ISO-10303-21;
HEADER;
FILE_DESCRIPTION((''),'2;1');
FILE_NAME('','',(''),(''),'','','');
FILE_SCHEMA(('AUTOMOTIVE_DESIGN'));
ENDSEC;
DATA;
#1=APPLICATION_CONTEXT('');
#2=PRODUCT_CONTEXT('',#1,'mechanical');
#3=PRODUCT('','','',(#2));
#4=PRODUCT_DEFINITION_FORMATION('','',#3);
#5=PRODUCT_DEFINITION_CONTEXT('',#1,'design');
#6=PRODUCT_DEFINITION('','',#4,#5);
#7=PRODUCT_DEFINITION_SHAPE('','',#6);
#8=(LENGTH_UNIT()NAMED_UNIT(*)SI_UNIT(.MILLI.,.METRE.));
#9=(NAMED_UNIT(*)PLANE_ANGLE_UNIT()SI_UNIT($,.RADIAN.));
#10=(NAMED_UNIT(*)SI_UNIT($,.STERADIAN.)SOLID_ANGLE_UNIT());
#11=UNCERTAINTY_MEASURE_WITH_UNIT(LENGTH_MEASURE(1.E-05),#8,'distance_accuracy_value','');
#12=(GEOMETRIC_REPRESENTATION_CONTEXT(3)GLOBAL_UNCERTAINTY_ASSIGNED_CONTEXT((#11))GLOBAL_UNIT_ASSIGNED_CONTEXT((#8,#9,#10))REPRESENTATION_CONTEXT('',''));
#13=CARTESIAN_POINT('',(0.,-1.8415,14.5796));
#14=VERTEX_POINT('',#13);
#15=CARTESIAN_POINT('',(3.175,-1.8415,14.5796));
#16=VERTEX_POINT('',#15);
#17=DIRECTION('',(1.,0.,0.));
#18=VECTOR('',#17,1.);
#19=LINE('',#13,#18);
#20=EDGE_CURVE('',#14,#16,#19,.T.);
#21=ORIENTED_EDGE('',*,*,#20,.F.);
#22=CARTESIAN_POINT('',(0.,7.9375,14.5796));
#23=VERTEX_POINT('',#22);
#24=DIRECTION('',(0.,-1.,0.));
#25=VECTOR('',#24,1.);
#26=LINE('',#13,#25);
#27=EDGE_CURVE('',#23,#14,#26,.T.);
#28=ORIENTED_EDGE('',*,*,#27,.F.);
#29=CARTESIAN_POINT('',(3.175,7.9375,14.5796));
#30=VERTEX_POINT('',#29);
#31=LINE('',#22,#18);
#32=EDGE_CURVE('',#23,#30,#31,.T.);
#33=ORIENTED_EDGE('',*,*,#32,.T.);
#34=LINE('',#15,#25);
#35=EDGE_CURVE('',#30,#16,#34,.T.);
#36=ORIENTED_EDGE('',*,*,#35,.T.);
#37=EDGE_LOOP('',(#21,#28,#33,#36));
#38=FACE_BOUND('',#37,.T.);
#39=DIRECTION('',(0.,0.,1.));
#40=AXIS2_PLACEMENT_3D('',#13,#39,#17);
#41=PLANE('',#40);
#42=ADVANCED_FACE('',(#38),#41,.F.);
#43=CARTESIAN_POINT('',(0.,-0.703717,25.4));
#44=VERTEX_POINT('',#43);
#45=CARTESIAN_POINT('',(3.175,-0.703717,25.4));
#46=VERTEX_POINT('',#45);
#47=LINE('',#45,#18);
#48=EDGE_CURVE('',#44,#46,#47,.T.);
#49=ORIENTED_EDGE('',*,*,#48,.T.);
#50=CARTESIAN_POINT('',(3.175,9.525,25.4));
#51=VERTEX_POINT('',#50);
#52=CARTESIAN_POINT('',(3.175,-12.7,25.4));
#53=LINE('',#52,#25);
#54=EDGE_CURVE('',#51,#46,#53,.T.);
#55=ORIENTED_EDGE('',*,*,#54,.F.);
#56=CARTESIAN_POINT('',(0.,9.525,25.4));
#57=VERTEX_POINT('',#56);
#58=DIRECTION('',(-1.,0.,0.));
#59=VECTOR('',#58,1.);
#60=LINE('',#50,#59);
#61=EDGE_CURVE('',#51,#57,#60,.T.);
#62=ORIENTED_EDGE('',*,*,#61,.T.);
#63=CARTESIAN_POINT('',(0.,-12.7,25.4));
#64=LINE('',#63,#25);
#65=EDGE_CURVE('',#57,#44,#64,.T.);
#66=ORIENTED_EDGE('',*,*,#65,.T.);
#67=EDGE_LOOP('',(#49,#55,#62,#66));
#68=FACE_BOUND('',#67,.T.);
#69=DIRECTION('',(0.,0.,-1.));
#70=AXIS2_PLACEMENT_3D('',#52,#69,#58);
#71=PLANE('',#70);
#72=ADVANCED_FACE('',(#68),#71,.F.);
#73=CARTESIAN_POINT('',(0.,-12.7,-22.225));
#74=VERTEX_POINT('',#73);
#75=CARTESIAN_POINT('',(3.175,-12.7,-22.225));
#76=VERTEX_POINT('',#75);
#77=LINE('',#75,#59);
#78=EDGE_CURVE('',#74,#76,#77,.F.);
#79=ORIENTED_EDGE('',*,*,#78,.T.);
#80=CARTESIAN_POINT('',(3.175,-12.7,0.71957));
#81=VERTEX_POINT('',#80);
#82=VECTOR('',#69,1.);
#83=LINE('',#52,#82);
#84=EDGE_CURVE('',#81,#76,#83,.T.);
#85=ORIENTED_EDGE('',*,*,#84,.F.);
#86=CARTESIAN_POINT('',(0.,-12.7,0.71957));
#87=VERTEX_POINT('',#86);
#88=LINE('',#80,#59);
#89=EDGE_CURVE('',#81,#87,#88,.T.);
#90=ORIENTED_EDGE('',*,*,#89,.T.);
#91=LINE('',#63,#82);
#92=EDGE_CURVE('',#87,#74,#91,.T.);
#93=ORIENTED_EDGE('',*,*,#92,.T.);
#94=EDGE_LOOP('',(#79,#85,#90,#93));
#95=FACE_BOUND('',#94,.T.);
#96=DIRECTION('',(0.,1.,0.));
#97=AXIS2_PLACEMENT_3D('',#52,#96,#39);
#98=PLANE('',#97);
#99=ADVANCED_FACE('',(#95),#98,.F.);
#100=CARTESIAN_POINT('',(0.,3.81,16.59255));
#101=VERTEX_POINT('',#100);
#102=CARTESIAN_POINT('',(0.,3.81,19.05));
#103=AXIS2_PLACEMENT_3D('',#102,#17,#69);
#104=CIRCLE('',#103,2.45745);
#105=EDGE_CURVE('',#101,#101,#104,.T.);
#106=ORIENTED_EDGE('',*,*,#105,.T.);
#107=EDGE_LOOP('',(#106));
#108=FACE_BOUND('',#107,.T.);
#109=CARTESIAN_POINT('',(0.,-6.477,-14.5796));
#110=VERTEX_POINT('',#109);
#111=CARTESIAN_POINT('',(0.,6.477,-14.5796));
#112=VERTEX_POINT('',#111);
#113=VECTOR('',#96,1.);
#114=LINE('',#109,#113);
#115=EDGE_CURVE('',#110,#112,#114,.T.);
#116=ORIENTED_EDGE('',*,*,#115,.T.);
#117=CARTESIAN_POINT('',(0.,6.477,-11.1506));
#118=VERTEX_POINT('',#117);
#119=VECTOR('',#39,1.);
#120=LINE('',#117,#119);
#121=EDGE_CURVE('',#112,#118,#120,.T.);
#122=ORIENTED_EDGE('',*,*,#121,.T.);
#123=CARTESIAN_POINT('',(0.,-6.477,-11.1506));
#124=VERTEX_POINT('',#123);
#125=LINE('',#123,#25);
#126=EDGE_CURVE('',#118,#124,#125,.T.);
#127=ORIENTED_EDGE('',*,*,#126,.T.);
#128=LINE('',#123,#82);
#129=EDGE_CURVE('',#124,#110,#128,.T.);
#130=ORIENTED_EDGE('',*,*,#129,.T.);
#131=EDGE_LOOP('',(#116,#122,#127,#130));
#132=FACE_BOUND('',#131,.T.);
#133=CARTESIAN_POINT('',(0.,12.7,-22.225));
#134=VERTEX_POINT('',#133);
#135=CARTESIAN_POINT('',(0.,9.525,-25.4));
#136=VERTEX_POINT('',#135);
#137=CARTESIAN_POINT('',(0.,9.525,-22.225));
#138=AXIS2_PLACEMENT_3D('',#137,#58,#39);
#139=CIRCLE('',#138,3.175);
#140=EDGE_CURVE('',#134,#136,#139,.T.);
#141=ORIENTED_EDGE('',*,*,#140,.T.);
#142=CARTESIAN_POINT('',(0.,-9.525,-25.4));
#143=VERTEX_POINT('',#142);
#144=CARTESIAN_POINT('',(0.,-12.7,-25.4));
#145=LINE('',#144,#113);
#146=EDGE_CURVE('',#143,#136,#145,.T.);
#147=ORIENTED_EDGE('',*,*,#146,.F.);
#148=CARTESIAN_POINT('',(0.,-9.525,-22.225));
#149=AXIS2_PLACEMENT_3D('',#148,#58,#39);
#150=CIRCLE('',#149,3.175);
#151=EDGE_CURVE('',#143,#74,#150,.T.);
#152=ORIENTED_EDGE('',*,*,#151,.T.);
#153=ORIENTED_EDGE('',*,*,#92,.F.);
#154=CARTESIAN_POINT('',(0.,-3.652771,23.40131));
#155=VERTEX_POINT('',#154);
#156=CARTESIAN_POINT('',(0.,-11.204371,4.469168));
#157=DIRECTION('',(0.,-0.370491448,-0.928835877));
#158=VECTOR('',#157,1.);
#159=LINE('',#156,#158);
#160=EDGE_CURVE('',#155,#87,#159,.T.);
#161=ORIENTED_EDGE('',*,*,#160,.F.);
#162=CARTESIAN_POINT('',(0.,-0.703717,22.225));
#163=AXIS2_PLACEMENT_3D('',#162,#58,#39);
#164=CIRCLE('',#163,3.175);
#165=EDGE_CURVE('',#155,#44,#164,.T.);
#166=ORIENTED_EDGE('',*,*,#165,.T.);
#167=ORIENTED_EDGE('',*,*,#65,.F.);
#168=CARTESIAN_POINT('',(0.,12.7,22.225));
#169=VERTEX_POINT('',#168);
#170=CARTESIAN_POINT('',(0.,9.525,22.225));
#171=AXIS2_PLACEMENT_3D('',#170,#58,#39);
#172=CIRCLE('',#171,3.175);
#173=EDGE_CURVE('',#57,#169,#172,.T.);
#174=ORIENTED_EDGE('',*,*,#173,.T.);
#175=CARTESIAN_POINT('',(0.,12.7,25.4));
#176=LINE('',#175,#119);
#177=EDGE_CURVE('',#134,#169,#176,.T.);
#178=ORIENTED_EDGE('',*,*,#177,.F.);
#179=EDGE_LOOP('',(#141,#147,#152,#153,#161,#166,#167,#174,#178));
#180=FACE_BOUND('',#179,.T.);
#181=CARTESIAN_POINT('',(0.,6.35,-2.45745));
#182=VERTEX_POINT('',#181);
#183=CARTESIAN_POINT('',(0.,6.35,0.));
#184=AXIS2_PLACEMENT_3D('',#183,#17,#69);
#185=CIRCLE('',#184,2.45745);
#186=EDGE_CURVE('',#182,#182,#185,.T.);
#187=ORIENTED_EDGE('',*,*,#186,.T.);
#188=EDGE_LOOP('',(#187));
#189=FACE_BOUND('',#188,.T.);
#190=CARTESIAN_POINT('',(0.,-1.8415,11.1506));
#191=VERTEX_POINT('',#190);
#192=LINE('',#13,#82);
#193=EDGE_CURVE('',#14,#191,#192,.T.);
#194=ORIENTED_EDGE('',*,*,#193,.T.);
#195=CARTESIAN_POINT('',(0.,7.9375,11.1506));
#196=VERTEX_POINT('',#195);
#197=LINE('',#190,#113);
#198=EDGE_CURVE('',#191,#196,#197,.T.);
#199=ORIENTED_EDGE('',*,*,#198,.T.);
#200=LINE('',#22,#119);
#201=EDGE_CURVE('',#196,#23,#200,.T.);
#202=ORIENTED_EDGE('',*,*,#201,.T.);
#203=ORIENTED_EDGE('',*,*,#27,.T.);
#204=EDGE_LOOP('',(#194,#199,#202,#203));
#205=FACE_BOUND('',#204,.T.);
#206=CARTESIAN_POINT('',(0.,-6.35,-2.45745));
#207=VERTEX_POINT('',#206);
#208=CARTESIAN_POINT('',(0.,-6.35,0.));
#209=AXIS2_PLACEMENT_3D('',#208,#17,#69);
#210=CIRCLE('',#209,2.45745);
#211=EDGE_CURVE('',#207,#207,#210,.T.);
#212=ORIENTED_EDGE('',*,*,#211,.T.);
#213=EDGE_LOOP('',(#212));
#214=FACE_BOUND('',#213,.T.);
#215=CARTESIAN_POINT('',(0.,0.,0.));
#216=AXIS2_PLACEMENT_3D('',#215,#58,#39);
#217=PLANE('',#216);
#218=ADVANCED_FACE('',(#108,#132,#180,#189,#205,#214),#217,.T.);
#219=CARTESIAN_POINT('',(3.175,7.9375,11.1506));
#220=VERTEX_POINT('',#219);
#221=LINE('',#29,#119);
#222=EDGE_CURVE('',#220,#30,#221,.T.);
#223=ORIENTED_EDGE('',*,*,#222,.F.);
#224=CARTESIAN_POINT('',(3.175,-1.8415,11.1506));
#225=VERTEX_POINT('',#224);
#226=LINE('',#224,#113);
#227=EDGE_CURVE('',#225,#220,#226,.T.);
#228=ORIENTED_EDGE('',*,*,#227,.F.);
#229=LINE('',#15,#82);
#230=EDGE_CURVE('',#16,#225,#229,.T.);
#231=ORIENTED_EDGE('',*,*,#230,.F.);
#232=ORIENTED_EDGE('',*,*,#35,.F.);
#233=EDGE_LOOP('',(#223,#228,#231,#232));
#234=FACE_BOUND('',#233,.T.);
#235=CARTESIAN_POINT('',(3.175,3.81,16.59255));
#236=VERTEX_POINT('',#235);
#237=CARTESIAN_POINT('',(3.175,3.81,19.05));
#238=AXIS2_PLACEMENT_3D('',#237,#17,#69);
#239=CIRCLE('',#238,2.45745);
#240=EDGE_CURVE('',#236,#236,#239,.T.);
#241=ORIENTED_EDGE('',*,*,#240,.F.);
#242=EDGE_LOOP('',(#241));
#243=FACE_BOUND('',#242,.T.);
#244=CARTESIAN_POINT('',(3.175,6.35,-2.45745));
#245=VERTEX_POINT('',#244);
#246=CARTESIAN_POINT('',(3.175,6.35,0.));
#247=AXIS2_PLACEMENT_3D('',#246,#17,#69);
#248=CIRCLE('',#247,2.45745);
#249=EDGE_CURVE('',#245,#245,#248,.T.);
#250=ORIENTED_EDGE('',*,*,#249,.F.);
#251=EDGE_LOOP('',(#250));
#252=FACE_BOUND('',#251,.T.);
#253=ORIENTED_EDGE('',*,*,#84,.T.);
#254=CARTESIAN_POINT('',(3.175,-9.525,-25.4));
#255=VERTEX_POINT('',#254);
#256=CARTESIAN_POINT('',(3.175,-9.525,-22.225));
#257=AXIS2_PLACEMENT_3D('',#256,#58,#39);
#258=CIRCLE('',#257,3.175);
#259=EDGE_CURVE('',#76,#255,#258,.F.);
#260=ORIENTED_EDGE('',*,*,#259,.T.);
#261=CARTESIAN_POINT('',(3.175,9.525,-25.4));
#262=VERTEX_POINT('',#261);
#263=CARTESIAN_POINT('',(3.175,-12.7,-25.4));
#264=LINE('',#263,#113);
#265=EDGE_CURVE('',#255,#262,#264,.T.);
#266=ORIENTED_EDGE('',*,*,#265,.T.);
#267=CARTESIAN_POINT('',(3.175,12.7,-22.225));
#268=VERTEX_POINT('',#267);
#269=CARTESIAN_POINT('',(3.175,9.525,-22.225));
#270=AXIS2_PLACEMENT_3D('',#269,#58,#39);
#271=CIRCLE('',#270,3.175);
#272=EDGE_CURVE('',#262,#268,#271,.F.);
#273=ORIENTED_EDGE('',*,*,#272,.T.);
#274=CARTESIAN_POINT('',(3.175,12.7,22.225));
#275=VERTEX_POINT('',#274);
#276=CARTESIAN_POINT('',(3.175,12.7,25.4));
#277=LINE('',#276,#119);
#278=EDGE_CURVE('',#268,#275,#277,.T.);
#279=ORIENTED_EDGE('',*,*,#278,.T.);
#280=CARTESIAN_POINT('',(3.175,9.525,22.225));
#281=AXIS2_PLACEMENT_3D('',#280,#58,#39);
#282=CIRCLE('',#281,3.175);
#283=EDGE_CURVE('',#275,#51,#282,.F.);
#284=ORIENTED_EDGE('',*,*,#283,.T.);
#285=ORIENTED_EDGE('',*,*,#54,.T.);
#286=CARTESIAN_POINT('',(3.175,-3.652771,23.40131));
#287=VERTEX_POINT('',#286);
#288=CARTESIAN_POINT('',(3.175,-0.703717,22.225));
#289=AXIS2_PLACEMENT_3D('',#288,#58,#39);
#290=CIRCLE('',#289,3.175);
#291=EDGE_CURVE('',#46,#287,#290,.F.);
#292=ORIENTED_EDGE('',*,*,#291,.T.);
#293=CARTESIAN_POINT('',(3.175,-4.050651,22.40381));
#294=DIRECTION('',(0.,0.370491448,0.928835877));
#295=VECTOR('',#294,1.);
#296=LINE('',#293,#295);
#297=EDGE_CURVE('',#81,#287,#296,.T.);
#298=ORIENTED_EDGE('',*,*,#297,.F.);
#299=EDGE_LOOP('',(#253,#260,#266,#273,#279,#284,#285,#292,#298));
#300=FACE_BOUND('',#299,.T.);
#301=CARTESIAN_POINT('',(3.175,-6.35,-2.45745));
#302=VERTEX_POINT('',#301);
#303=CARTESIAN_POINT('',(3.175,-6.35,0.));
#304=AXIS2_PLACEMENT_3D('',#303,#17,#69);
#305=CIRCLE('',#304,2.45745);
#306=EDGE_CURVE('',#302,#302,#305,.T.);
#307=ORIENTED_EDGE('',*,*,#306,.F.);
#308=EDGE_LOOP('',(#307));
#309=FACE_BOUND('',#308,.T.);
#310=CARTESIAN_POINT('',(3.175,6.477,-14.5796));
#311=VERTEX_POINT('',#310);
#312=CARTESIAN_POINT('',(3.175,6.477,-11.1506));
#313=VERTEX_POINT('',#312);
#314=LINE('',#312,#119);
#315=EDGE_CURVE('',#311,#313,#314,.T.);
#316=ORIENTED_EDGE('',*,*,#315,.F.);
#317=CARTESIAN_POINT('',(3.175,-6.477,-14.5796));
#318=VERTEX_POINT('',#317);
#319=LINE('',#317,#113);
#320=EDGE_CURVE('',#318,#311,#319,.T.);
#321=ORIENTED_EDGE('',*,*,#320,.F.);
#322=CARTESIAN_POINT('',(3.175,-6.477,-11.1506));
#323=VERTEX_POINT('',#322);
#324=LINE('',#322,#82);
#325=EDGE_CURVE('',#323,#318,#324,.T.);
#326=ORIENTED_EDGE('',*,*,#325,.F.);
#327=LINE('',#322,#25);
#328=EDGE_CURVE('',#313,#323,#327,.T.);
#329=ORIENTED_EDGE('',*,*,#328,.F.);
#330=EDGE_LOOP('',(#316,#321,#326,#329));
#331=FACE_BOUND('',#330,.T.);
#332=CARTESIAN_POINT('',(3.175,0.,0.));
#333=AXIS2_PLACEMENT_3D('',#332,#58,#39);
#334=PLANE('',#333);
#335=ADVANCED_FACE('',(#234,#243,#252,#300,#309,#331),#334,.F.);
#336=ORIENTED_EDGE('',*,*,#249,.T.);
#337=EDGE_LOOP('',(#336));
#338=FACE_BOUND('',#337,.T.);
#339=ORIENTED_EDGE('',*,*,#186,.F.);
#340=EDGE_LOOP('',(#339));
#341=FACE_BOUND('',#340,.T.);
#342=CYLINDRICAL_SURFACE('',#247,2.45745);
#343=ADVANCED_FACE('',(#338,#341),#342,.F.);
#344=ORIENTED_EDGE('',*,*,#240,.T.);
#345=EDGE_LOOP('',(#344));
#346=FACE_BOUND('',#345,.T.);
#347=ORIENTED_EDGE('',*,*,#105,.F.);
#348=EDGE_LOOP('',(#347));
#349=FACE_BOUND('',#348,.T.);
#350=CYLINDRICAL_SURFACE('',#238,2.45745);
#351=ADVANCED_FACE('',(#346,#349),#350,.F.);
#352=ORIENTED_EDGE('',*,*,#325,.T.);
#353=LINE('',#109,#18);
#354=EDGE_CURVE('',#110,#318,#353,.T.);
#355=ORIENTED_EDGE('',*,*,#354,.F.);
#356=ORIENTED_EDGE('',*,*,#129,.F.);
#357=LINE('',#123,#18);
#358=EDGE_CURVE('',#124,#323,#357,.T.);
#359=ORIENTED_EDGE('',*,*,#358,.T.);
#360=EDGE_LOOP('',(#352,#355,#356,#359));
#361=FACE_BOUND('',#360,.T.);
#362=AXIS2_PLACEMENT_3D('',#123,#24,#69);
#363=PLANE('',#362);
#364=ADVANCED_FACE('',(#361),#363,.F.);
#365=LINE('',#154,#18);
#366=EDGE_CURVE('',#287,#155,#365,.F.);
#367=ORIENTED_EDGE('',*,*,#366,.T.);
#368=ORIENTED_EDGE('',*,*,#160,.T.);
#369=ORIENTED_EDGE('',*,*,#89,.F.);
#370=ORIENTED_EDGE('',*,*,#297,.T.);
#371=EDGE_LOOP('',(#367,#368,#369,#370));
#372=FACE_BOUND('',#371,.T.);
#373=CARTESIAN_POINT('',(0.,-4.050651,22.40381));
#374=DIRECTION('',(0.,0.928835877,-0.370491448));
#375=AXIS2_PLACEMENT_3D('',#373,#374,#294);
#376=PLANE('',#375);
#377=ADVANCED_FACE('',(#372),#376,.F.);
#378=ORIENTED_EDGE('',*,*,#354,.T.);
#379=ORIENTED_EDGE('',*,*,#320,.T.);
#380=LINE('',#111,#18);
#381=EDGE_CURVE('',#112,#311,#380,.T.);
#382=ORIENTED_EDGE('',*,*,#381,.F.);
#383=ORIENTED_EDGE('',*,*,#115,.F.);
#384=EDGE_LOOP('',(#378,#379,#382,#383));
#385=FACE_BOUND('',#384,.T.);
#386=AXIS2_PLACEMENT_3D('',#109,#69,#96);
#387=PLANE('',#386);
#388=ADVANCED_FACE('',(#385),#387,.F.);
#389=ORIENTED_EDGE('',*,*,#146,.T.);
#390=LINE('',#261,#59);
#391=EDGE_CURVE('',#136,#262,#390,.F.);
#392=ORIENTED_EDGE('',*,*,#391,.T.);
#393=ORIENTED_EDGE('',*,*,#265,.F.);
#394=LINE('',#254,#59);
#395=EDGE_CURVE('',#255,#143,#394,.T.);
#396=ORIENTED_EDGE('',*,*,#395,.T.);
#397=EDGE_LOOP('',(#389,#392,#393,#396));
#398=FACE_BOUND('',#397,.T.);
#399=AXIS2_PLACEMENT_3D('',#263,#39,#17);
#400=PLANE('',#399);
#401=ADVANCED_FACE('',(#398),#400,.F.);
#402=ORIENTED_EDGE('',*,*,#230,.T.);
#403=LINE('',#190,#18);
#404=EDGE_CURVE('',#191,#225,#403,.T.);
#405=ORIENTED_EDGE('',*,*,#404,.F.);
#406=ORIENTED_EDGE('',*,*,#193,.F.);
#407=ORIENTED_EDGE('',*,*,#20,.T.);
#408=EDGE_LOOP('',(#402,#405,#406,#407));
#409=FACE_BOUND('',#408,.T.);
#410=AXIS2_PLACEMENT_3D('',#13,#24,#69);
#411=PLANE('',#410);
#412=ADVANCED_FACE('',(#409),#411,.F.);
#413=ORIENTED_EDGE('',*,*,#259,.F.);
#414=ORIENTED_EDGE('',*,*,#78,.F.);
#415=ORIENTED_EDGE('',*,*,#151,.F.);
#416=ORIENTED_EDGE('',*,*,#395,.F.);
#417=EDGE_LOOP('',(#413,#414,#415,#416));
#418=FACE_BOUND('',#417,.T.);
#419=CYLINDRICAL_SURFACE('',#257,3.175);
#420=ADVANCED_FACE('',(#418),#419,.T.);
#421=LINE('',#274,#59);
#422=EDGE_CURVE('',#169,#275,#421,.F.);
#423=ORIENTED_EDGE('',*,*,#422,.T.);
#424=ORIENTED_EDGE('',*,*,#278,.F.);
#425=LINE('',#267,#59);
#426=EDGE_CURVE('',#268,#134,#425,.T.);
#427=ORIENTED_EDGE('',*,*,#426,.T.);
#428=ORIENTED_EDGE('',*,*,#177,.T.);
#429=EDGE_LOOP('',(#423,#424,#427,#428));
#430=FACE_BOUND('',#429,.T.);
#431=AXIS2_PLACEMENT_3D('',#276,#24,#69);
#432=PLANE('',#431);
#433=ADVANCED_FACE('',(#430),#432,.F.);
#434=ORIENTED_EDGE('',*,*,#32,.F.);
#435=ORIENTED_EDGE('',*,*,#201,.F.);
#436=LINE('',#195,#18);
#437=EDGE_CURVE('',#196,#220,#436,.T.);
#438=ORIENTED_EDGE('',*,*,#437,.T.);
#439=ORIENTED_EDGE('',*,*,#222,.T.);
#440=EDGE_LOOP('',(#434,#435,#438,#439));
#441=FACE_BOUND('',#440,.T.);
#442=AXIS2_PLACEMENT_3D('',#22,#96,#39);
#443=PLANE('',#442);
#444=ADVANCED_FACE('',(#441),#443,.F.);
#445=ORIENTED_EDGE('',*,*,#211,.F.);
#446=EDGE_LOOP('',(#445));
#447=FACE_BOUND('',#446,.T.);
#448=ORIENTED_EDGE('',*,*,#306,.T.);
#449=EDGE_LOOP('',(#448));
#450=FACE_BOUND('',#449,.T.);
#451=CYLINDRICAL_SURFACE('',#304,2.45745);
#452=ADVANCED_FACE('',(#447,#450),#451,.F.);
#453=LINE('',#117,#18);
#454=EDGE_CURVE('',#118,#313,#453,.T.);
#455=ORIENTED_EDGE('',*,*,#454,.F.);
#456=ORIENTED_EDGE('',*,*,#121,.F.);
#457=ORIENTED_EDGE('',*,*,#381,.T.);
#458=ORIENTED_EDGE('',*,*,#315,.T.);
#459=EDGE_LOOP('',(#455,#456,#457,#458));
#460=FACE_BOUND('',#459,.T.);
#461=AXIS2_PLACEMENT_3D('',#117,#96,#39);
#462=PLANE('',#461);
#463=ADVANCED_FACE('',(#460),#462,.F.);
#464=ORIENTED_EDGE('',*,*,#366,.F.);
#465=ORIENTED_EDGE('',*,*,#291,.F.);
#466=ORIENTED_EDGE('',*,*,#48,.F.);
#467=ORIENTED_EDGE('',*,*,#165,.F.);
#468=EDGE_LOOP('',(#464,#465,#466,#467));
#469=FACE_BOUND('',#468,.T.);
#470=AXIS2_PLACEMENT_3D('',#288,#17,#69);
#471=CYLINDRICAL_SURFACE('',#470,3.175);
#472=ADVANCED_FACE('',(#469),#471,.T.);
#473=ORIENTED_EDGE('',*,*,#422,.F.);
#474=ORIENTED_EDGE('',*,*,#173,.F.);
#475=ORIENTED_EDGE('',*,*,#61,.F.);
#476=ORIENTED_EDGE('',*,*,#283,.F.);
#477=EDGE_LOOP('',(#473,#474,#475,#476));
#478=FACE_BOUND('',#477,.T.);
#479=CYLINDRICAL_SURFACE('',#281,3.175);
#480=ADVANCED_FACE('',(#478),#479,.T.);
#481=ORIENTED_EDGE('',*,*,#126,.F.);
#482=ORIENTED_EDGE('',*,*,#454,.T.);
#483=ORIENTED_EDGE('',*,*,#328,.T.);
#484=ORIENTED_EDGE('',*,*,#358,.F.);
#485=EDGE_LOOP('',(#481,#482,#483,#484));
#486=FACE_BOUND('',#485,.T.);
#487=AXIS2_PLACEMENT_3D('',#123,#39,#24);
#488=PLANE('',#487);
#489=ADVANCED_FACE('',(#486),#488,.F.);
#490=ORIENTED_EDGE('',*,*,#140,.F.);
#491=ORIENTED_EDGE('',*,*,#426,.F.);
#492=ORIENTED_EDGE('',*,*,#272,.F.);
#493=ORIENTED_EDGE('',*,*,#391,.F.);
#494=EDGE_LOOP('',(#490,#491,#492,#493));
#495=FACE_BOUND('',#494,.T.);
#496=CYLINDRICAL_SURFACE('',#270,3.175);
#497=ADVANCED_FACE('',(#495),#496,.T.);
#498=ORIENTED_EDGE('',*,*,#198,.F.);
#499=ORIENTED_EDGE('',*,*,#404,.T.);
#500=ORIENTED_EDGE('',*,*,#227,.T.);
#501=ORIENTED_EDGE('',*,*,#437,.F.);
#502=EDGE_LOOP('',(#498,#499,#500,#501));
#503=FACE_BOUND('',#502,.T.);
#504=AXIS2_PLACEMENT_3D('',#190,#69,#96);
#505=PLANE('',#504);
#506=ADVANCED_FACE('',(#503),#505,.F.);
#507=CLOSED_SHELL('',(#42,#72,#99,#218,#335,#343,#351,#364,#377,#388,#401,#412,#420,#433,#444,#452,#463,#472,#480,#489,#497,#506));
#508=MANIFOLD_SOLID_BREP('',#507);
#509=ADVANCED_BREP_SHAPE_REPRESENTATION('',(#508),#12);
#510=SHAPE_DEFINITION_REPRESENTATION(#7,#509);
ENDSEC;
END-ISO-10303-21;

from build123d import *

# Parameters (mm, degrees)
SKETCH2_W                    = 50.8
SKETCH2_H                    = 25.4
BOSS_EXTRUDE1_DEPTH          = 3.175
CUT_EXTRUDE2_DEPTH           = 4.175
FILLET2_R                    = 3.175
SKETCH5_W                    = 3.429
SKETCH5_H                    = 9.779
SKETCH5_H_2                  = 12.954
CUT_EXTRUDE3_DEPTH           = 4.175
F_10_0_1935_DIAMETER_HOLE1_D = 4.9149


with BuildPart() as part:
    # Sketch2 → Boss-Extrude1 (new body)
    with BuildSketch(Plane(origin=(0, 0, 0), x_dir=(0, 0, -1), z_dir=(1, 0, 0))):
        Rectangle(SKETCH2_W, SKETCH2_H)
    extrude(amount=BOSS_EXTRUDE1_DEPTH)

    # Sketch4 → Cut-Extrude2 (cut, through all)
    with BuildSketch(Plane(origin=(3.175, 0, 0), x_dir=(0, 0, -1), z_dir=(1, 0, 0))):
        Polygon((0, -12.98702), (-25.4, -12.7), (-46.852380557, -12.7), (-46.852380557, 5.701326041), (-22.403810306, -4.050651033), align=None)
    extrude(amount=-CUT_EXTRUDE2_DEPTH, mode=Mode.SUBTRACT)

    # Fillet2
    fillet2_edges = [part.edges().sort_by_distance(p)[0] for p in [
        (1.5875, -2.855539298, 25.4),
        (1.5875, 12.7, 25.4),
        (1.5875, 12.7, -25.4),
        (1.5875, -12.7, -25.4),
    ]]
    fillet(fillet2_edges, radius=FILLET2_R)

    # Sketch5 → Cut-Extrude3 (cut, through all)
    with BuildSketch(Plane(origin=(3.175, 0, 0), x_dir=(0, 0, -1), z_dir=(1, 0, 0))):
        with Locations((-12.8651, 3.048)):
            Rectangle(SKETCH5_W, SKETCH5_H)
        with Locations((12.8651, 0)):
            Rectangle(SKETCH5_W, SKETCH5_H_2)
    extrude(amount=-CUT_EXTRUDE3_DEPTH, mode=Mode.SUBTRACT)

    # #10 (0.1935) Diameter Hole1 (through all)
    with Locations(Plane(origin=(3.175, 0, 0), x_dir=(0, 0, -1), z_dir=(1, 0, 0))):
        with Locations((-19.05, 3.81), (0, -6.35), (0, 6.35)):
            Hole(F_10_0_1935_DIAMETER_HOLE1_D / 2)


solid = part.part
